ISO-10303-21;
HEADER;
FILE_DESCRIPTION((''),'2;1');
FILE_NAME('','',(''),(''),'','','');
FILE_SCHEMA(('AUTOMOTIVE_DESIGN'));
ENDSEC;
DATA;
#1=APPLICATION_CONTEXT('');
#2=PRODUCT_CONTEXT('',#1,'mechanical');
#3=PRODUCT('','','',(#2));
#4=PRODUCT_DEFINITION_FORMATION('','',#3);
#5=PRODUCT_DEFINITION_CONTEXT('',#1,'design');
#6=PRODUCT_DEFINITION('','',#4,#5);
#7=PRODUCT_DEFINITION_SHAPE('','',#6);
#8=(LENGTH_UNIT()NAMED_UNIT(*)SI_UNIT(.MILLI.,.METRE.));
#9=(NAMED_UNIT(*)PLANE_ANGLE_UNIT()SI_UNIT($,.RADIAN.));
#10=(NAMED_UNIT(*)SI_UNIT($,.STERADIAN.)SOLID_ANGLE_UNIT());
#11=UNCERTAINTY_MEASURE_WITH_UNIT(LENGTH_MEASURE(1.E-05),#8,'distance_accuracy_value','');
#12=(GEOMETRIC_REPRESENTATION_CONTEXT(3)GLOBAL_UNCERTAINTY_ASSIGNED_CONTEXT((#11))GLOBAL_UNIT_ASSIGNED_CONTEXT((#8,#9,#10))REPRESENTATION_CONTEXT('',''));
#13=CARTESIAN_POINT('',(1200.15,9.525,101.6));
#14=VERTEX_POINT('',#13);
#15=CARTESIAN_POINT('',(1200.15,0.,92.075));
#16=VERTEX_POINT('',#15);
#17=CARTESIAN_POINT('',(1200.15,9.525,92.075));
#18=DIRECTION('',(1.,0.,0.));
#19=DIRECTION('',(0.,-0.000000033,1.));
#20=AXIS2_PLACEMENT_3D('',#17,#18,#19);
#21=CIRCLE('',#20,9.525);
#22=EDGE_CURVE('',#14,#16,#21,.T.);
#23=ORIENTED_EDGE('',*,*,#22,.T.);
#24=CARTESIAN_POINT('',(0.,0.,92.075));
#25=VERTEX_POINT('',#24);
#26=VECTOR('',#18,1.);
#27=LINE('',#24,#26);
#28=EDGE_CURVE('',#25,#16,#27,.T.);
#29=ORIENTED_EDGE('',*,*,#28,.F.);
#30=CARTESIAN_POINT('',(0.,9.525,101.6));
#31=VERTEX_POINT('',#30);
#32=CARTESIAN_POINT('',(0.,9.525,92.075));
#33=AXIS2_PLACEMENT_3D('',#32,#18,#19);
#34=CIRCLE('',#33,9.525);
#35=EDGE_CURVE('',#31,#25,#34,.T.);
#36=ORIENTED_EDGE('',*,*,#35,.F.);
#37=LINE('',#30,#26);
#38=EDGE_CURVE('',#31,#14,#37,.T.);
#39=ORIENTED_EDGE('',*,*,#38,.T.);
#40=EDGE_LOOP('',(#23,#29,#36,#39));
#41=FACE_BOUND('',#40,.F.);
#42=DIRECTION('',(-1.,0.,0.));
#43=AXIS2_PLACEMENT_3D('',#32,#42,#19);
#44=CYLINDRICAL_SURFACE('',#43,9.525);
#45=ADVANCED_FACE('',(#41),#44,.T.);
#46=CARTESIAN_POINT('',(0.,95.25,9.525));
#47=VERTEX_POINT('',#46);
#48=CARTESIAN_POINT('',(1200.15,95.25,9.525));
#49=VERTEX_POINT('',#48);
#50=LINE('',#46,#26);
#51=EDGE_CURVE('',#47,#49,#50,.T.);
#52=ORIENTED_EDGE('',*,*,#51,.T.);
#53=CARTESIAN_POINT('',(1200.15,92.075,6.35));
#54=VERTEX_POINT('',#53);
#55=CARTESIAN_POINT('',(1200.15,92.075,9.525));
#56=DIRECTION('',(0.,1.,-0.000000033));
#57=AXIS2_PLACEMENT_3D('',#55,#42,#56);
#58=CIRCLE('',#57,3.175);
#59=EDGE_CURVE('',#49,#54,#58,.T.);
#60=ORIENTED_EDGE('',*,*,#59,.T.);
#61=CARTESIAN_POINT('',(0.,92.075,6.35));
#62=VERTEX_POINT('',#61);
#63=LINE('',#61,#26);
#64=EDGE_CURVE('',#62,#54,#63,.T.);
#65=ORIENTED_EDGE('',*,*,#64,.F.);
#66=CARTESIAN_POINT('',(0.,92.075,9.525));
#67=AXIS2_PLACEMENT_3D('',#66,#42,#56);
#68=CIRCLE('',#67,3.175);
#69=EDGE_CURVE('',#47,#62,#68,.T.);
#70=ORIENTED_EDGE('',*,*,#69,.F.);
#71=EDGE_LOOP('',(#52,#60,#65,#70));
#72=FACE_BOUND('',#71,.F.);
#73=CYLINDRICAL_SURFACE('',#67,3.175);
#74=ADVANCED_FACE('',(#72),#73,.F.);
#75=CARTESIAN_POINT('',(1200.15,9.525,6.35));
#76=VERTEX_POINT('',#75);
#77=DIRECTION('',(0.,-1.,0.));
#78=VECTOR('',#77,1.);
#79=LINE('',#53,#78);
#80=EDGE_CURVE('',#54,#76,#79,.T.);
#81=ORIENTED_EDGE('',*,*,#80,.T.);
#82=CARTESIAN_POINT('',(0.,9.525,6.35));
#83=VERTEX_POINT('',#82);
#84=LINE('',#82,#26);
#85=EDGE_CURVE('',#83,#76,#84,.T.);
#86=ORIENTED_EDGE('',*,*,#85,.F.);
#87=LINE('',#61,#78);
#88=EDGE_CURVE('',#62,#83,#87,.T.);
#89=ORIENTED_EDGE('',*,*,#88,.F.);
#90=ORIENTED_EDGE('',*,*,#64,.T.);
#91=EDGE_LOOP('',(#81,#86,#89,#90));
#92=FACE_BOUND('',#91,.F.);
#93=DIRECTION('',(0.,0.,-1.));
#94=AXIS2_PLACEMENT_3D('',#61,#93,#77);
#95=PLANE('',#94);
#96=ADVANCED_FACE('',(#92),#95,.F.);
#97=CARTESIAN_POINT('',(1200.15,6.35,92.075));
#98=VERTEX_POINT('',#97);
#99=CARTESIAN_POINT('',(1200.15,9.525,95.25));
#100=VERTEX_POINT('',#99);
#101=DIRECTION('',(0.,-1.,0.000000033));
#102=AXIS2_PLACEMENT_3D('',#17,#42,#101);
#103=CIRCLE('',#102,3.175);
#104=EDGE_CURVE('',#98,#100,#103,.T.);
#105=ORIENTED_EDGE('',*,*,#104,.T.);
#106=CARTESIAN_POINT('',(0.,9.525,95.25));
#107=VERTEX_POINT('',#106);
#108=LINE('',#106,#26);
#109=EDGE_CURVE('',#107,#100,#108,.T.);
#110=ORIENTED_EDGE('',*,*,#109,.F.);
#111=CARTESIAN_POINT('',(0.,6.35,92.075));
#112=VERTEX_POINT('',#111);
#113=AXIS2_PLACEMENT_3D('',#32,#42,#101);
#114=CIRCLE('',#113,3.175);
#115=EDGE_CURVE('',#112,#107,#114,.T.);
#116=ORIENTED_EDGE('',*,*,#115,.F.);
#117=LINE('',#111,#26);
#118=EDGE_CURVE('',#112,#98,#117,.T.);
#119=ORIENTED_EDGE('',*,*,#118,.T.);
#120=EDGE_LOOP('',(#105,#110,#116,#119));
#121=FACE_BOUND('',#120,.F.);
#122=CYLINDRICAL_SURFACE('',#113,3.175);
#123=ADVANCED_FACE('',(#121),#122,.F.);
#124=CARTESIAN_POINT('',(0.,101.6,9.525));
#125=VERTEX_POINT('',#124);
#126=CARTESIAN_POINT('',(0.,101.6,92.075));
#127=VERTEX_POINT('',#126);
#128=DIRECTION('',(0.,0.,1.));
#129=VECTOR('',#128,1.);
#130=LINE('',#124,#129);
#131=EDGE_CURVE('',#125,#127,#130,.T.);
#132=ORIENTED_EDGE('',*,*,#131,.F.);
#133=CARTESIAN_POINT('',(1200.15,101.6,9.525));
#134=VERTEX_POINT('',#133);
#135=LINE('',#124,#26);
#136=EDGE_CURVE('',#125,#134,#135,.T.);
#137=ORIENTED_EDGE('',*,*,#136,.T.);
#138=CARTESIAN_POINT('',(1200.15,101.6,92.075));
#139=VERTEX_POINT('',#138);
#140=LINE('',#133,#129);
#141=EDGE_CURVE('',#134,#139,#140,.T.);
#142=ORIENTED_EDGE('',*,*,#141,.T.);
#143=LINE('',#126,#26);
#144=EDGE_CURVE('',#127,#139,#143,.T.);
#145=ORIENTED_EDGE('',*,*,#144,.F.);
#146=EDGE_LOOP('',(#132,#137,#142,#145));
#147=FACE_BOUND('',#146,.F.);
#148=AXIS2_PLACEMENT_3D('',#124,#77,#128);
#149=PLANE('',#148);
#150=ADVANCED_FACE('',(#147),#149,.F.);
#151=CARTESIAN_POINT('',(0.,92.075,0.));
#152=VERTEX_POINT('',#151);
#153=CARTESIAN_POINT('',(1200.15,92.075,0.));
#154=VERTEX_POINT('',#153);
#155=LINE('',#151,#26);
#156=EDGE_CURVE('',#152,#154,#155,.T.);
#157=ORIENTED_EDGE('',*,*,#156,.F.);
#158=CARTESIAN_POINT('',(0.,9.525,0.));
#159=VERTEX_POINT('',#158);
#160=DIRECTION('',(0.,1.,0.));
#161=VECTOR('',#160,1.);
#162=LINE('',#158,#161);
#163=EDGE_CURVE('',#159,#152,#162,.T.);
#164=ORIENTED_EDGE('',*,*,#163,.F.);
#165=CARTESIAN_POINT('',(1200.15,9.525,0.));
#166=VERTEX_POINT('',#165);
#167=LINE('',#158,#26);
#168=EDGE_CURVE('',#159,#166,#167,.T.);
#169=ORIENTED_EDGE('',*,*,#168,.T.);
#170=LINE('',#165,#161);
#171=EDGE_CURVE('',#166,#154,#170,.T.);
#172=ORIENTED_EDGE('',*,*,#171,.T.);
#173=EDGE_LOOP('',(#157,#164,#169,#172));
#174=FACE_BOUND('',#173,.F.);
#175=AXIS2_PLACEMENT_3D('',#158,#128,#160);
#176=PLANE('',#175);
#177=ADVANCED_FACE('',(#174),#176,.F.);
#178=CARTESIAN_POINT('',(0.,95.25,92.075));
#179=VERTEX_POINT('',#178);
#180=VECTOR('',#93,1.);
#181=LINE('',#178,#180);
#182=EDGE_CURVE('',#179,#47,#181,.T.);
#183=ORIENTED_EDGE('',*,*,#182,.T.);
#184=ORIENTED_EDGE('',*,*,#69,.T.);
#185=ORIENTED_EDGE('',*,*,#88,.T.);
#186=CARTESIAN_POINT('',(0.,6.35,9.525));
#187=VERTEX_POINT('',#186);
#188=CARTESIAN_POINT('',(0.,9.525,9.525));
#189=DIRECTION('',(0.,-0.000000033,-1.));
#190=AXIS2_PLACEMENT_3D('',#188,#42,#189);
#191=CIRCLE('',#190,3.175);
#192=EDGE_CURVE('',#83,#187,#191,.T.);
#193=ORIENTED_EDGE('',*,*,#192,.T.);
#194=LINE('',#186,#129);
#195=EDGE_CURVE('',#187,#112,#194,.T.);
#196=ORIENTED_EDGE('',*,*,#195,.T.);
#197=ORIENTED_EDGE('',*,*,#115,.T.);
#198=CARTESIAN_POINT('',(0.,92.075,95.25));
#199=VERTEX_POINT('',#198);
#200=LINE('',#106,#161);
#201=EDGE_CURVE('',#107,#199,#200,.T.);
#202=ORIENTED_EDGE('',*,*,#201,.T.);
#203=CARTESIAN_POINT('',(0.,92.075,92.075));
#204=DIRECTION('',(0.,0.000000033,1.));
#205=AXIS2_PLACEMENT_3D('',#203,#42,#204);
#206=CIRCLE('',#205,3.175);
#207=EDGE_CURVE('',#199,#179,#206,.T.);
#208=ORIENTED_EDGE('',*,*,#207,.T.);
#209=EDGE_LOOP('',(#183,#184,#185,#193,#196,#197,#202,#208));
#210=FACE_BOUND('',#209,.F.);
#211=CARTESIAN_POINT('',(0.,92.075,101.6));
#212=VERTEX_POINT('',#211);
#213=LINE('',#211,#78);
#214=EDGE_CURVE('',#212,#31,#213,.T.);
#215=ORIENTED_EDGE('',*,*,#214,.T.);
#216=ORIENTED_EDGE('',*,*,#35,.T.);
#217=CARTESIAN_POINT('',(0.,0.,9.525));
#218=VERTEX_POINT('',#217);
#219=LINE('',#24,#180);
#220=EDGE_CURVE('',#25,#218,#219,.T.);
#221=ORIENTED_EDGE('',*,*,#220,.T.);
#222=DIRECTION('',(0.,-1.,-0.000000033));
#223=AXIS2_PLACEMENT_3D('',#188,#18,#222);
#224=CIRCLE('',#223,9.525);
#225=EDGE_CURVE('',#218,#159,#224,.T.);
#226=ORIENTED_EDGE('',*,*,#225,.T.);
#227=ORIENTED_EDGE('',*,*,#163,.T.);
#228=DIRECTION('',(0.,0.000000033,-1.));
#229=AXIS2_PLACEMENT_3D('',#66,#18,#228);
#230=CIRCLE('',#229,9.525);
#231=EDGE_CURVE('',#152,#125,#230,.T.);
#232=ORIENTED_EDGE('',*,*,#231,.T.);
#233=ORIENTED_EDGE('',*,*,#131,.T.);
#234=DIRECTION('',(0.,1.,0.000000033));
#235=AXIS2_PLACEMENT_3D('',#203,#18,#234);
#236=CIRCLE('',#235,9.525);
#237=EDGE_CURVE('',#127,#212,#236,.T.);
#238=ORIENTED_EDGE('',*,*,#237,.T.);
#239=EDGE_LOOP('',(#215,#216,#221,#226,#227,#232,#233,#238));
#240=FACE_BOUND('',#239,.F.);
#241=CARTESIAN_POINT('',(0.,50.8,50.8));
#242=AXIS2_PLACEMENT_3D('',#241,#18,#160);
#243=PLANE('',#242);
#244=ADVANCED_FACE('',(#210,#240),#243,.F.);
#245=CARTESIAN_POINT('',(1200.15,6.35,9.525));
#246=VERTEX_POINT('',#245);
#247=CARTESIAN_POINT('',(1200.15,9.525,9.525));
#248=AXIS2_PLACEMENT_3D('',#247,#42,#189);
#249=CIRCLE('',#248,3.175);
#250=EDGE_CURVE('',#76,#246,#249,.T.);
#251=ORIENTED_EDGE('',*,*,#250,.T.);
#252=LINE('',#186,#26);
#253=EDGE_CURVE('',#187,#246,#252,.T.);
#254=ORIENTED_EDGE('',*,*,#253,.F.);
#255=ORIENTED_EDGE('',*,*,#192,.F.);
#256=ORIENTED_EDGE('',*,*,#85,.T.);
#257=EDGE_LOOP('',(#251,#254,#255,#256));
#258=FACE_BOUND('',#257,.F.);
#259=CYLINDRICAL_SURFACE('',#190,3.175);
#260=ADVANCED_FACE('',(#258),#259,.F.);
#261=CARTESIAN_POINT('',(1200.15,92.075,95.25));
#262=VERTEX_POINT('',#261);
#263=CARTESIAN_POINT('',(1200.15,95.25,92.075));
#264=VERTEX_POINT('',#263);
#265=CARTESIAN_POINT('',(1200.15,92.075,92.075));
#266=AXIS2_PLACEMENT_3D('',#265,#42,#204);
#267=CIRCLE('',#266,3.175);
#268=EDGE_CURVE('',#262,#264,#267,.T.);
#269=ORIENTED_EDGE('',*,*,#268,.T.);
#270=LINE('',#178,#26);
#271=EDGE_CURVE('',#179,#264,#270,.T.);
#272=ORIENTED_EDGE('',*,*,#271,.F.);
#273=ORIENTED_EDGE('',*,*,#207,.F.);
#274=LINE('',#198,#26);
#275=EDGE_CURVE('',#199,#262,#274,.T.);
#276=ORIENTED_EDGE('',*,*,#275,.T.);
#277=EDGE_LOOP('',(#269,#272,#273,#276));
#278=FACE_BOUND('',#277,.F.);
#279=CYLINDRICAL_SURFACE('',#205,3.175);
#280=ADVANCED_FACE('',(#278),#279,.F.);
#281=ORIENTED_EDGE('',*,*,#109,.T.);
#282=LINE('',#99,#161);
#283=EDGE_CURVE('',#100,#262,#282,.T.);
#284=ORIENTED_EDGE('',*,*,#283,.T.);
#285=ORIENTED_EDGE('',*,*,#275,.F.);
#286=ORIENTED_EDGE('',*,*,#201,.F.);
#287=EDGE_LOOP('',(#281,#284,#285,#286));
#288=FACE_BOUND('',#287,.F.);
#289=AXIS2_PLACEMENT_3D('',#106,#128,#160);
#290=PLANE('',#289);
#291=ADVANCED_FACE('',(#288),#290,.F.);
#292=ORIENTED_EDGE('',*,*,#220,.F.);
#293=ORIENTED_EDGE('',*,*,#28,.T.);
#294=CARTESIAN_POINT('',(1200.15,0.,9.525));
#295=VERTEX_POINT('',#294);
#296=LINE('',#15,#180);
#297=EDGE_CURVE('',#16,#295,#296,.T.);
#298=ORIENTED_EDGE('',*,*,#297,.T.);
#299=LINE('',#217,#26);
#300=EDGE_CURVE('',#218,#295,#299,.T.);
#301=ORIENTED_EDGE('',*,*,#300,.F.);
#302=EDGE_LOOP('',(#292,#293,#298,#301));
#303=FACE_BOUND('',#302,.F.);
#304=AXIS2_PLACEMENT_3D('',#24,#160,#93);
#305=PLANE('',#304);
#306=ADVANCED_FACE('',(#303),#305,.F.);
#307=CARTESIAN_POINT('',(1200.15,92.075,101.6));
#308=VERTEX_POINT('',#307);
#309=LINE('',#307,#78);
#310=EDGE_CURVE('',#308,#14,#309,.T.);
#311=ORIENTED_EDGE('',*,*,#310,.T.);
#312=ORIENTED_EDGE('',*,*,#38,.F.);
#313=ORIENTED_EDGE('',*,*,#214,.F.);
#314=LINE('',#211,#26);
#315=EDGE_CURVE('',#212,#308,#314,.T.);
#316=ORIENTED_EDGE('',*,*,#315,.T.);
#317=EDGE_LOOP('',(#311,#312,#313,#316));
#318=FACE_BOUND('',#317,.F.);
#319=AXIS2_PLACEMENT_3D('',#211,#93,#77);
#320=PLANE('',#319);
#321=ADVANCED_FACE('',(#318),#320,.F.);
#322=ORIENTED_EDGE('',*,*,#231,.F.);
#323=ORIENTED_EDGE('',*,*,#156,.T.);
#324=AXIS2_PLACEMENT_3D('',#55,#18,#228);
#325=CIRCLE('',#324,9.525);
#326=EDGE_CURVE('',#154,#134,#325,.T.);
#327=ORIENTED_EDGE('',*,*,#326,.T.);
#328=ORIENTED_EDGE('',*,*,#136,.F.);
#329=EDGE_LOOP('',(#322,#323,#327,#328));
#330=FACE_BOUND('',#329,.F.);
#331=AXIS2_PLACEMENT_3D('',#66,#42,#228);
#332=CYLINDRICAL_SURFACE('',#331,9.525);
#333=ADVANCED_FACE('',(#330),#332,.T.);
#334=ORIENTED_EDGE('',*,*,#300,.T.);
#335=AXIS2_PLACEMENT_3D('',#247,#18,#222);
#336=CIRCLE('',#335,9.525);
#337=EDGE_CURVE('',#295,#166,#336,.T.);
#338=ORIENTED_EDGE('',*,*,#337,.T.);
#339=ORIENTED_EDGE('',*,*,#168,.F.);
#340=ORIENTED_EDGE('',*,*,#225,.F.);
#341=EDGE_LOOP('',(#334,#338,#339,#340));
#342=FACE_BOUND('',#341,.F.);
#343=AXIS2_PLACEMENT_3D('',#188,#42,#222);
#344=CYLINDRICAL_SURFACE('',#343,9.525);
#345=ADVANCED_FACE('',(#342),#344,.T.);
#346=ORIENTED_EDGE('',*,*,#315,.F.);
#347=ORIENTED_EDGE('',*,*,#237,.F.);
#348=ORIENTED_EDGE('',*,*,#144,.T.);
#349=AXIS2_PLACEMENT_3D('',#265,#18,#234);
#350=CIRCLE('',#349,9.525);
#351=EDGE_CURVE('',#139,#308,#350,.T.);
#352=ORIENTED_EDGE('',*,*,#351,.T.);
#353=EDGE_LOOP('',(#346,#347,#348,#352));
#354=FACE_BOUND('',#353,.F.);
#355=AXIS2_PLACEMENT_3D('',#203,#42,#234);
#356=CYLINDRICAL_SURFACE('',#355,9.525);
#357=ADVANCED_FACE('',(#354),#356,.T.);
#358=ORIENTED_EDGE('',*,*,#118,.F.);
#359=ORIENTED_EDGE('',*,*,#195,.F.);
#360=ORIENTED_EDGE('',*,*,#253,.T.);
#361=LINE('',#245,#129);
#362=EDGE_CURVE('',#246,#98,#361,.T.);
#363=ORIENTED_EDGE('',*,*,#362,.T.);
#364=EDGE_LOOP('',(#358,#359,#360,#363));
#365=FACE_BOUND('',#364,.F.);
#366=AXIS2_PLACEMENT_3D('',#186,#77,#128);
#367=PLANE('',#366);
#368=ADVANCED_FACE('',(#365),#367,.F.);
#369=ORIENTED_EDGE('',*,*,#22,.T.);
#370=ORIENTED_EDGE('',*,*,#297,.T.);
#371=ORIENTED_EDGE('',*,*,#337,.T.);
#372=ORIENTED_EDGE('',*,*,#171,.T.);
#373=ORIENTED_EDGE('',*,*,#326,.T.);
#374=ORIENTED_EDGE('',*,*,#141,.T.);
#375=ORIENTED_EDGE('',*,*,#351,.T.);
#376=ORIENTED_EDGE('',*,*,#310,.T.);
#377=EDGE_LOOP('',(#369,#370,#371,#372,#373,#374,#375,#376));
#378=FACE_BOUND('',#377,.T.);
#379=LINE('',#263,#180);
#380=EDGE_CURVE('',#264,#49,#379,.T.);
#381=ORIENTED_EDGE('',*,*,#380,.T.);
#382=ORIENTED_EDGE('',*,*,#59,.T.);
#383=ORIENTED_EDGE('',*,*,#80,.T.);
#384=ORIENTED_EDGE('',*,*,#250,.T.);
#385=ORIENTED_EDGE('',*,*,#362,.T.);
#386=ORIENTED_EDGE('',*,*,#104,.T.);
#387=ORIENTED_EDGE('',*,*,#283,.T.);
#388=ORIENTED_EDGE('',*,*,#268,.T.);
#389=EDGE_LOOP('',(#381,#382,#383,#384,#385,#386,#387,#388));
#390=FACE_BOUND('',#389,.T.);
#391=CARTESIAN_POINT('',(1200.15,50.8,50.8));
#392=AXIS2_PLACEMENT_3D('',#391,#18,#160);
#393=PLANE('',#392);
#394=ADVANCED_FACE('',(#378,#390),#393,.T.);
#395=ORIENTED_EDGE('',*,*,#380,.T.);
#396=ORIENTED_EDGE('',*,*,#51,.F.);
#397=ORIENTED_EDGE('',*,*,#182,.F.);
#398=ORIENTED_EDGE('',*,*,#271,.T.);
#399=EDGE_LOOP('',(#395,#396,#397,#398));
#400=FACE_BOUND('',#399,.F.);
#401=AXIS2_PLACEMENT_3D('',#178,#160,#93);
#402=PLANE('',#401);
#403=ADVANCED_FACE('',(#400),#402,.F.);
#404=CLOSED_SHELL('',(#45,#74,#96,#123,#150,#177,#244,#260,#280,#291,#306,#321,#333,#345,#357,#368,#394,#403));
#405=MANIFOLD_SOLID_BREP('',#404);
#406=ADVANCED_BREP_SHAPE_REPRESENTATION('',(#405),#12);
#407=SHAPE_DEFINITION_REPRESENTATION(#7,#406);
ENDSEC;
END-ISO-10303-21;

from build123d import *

# Parameters (mm, degrees)
F1_DEPTH = 1200.15


with BuildPart() as f1:
    # F0 (on Right) → F1 (new body)
    with BuildSketch(Plane.YZ):
        with BuildLine():
            ThreePointArc((0, 9.525), (2.789808, 2.789808), (9.525, 0))
            Line((9.525, 0), (92.075, 0))
            ThreePointArc((92.075, 0), (98.810192, 2.789808), (101.6, 9.525))
            Line((101.6, 9.525), (101.6, 92.075))
            ThreePointArc((101.6, 92.075), (98.810192, 98.810192), (92.075, 101.6))
            Line((92.075, 101.6), (9.525, 101.6))
            ThreePointArc((9.525, 101.6), (2.789808, 98.810192), (0, 92.075))
            Line((0, 92.075), (0, 9.525))
        make_face()
        with BuildLine():
            ThreePointArc((95.25, 9.525), (94.320064, 7.279936), (92.075, 6.35))
            Line((92.075, 6.35), (9.525, 6.35))
            ThreePointArc((9.525, 6.35), (7.279936, 7.279936), (6.35, 9.525))
            Line((6.35, 9.525), (6.35, 92.075))
            ThreePointArc((6.35, 92.075), (7.279936, 94.320064), (9.525, 95.25))
            Line((9.525, 95.25), (92.075, 95.25))
            ThreePointArc((92.075, 95.25), (94.320064, 94.320064), (95.25, 92.075))
            Line((95.25, 92.075), (95.25, 9.525))
        make_face(mode=Mode.SUBTRACT)
    extrude(amount=F1_DEPTH)


solid = f1.part
